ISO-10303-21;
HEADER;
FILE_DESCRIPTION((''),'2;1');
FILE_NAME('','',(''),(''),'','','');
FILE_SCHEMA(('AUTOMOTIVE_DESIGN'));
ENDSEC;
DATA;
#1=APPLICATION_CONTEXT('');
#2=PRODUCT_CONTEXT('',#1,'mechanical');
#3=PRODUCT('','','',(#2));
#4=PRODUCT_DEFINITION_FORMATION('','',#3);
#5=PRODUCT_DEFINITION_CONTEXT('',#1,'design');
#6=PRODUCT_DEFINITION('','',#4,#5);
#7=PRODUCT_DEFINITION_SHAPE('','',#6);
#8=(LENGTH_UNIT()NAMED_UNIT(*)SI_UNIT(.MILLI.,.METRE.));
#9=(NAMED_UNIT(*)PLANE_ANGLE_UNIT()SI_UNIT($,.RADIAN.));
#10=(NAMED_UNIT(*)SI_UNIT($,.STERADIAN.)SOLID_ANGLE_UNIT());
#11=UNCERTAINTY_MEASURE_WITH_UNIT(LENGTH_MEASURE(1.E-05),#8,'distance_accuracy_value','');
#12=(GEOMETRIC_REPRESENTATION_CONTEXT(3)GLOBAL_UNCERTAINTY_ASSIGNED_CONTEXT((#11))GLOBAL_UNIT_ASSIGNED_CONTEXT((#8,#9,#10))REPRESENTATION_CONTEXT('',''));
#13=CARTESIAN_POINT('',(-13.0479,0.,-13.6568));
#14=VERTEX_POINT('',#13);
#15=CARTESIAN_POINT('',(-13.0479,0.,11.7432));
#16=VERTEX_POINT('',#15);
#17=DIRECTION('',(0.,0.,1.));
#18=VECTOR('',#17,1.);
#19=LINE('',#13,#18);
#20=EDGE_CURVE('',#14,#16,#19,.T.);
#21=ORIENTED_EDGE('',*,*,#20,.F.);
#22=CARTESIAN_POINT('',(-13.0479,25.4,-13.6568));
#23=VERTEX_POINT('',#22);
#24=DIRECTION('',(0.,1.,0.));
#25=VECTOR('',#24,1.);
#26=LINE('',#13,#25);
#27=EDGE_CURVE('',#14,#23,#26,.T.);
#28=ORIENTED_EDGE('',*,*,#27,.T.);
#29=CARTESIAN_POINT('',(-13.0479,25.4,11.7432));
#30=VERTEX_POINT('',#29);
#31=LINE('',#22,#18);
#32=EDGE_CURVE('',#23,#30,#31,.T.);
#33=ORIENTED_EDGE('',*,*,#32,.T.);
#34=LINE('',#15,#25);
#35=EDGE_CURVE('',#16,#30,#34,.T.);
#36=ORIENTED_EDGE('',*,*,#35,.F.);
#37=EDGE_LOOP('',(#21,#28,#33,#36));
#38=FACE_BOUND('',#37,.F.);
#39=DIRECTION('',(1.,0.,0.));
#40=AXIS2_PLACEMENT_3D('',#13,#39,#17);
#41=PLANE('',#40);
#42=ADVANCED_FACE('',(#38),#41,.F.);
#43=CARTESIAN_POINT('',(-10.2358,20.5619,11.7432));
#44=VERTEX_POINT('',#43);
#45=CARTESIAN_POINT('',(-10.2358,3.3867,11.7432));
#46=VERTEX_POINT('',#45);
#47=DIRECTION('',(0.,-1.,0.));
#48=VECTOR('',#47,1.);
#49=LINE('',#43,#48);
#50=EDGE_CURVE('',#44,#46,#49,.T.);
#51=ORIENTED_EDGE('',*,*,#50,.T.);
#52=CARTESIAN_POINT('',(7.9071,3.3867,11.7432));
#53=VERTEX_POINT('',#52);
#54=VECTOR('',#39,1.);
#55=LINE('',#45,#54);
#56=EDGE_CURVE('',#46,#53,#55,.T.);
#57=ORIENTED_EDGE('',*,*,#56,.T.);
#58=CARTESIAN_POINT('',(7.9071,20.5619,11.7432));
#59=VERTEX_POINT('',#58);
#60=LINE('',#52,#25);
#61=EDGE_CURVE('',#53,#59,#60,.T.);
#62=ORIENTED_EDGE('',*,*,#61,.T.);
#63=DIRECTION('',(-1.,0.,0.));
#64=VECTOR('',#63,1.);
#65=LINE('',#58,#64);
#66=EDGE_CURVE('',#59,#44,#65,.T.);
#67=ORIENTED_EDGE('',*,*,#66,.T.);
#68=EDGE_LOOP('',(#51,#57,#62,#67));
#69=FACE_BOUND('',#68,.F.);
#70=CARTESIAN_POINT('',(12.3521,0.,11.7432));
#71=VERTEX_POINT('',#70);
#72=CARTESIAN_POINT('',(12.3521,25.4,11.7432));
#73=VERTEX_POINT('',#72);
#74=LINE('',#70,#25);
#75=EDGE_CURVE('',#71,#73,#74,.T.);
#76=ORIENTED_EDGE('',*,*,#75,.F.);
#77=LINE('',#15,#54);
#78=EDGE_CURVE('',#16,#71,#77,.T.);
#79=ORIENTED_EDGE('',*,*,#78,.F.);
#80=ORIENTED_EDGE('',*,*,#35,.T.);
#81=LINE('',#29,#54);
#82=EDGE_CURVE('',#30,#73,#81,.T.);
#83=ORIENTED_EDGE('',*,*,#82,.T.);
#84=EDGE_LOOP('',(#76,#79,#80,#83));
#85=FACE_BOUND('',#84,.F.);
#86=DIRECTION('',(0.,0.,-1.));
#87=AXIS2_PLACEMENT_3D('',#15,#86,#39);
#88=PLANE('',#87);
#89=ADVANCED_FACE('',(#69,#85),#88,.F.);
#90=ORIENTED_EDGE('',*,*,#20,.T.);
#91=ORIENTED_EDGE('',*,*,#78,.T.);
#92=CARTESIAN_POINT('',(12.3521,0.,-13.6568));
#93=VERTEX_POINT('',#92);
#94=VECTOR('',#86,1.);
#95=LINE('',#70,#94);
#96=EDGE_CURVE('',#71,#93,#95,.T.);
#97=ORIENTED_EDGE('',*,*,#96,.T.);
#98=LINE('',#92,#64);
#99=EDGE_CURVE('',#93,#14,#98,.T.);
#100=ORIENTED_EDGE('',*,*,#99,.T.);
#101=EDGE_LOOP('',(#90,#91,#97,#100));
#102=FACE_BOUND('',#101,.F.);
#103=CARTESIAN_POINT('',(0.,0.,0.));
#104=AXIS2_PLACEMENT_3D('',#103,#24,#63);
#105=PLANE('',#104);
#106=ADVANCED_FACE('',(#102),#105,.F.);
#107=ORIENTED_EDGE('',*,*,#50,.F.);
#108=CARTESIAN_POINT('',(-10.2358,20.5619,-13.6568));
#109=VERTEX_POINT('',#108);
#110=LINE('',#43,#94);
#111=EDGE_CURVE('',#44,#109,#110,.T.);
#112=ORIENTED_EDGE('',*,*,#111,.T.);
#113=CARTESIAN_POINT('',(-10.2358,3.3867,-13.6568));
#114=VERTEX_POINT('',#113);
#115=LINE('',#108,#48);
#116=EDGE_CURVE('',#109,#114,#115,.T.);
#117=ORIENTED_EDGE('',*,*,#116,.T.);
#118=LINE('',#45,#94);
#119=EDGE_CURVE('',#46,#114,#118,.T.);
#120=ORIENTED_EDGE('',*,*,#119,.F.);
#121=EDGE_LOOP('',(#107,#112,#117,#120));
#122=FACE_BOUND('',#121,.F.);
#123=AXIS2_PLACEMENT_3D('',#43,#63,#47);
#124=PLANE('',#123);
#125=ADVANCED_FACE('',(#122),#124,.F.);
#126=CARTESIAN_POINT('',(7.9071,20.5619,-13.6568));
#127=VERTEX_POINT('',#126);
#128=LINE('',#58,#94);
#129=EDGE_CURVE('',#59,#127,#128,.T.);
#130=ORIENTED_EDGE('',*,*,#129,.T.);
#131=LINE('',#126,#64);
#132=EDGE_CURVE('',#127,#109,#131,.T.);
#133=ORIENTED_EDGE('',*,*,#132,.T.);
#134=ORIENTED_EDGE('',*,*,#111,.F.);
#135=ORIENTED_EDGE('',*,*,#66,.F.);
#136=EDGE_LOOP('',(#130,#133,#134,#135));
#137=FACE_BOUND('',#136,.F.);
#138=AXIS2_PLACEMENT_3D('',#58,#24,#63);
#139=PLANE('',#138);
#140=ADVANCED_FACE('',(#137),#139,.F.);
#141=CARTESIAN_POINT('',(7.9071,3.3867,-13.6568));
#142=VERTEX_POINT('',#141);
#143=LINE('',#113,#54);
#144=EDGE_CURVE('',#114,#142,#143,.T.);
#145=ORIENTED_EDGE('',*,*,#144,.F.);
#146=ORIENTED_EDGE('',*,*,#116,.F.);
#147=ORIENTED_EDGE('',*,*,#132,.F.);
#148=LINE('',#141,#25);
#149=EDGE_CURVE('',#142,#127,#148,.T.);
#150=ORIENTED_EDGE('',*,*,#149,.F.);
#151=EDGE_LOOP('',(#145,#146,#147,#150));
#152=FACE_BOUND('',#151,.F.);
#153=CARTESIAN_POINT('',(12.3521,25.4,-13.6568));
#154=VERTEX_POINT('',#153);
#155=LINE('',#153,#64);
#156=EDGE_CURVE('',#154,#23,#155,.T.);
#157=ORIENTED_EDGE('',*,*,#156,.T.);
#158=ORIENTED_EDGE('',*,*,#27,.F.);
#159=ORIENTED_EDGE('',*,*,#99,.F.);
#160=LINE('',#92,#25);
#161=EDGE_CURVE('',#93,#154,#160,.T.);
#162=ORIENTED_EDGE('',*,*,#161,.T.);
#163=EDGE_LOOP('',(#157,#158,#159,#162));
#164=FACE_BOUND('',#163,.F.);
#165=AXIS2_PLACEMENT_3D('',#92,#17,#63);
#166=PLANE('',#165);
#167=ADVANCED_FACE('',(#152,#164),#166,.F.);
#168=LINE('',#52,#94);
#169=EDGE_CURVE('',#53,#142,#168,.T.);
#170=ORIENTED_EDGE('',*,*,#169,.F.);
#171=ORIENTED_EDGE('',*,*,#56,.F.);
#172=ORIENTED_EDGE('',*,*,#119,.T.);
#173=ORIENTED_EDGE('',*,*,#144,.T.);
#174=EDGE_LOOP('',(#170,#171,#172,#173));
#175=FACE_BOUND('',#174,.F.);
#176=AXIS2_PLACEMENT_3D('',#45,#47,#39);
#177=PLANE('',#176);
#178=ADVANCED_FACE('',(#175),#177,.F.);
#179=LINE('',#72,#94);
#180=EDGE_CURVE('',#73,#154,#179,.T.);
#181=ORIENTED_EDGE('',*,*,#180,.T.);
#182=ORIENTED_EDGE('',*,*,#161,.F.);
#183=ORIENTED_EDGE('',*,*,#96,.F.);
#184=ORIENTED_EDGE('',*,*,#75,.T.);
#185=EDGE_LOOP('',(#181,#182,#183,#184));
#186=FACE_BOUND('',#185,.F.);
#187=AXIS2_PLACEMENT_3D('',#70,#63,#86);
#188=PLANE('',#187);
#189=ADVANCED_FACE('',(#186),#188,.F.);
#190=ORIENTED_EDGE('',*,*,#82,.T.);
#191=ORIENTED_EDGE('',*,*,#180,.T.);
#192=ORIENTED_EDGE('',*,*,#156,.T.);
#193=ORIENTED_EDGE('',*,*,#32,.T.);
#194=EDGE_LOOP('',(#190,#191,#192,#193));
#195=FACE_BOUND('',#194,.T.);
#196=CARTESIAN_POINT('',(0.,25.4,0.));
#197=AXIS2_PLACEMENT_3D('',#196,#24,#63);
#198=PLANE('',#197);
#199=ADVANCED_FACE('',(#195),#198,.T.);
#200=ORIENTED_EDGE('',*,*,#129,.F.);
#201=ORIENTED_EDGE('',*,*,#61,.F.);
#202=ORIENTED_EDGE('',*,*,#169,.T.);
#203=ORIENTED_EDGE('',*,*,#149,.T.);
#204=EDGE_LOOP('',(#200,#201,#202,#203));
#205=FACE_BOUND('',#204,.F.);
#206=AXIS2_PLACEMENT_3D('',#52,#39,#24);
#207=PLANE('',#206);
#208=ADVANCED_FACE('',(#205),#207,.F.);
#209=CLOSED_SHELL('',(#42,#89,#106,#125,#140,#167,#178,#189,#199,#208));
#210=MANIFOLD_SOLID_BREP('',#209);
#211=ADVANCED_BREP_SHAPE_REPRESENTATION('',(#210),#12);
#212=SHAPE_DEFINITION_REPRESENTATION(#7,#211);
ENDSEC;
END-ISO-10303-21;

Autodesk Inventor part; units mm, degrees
ref_plane "YZ Plane" through (0, 0, 0) normal (1, 0, 0) x (0, 1, 0)
ref_plane "XZ Plane" through (0, 0, 0) normal (0, 1, 0) x (-1, 0, 0)
ref_plane "XY Plane" through (0, 0, 0) normal (0, 0, 1) x (1, 0, 0)
sketch "Sketch1" plane through (0, 0, 0) normal (0, 1, 0) x (-1, 0, 0)
  line L0 (13.0479, 11.7432) -> (-12.3521, 11.7432)
  line L1 (-12.3521, 11.7432) -> (-12.3521, -13.6568)
  line L2 (-12.3521, -13.6568) -> (13.0479, -13.6568)
  line L3 (13.0479, -13.6568) -> (13.0479, 11.7432)
  point P0 (0, 0)
  dimension "d0" = 25.4
  dimension "d1" = 25.4
extrude "Extrusion1" add sketch "Sketch1" along normal blind 25.4
sketch "Sketch2" plane through (-13.0479, 0, 11.7432) normal (0, 0, 1) x (1, 0, 0)
  line L0 (2.8121, 3.3867) -> (20.955, 3.3867)
  line L1 (20.955, 3.3867) -> (20.955, 20.5619)
  line L2 (20.955, 20.5619) -> (2.8121, 20.5619)
  line L3 (2.8121, 20.5619) -> (2.8121, 3.3867)
  point P0 (13.0479, 0)
extrude "Extrusion2" cut sketch "Sketch2" against normal blind 25.4
properties part number "Zohair did a thing"
